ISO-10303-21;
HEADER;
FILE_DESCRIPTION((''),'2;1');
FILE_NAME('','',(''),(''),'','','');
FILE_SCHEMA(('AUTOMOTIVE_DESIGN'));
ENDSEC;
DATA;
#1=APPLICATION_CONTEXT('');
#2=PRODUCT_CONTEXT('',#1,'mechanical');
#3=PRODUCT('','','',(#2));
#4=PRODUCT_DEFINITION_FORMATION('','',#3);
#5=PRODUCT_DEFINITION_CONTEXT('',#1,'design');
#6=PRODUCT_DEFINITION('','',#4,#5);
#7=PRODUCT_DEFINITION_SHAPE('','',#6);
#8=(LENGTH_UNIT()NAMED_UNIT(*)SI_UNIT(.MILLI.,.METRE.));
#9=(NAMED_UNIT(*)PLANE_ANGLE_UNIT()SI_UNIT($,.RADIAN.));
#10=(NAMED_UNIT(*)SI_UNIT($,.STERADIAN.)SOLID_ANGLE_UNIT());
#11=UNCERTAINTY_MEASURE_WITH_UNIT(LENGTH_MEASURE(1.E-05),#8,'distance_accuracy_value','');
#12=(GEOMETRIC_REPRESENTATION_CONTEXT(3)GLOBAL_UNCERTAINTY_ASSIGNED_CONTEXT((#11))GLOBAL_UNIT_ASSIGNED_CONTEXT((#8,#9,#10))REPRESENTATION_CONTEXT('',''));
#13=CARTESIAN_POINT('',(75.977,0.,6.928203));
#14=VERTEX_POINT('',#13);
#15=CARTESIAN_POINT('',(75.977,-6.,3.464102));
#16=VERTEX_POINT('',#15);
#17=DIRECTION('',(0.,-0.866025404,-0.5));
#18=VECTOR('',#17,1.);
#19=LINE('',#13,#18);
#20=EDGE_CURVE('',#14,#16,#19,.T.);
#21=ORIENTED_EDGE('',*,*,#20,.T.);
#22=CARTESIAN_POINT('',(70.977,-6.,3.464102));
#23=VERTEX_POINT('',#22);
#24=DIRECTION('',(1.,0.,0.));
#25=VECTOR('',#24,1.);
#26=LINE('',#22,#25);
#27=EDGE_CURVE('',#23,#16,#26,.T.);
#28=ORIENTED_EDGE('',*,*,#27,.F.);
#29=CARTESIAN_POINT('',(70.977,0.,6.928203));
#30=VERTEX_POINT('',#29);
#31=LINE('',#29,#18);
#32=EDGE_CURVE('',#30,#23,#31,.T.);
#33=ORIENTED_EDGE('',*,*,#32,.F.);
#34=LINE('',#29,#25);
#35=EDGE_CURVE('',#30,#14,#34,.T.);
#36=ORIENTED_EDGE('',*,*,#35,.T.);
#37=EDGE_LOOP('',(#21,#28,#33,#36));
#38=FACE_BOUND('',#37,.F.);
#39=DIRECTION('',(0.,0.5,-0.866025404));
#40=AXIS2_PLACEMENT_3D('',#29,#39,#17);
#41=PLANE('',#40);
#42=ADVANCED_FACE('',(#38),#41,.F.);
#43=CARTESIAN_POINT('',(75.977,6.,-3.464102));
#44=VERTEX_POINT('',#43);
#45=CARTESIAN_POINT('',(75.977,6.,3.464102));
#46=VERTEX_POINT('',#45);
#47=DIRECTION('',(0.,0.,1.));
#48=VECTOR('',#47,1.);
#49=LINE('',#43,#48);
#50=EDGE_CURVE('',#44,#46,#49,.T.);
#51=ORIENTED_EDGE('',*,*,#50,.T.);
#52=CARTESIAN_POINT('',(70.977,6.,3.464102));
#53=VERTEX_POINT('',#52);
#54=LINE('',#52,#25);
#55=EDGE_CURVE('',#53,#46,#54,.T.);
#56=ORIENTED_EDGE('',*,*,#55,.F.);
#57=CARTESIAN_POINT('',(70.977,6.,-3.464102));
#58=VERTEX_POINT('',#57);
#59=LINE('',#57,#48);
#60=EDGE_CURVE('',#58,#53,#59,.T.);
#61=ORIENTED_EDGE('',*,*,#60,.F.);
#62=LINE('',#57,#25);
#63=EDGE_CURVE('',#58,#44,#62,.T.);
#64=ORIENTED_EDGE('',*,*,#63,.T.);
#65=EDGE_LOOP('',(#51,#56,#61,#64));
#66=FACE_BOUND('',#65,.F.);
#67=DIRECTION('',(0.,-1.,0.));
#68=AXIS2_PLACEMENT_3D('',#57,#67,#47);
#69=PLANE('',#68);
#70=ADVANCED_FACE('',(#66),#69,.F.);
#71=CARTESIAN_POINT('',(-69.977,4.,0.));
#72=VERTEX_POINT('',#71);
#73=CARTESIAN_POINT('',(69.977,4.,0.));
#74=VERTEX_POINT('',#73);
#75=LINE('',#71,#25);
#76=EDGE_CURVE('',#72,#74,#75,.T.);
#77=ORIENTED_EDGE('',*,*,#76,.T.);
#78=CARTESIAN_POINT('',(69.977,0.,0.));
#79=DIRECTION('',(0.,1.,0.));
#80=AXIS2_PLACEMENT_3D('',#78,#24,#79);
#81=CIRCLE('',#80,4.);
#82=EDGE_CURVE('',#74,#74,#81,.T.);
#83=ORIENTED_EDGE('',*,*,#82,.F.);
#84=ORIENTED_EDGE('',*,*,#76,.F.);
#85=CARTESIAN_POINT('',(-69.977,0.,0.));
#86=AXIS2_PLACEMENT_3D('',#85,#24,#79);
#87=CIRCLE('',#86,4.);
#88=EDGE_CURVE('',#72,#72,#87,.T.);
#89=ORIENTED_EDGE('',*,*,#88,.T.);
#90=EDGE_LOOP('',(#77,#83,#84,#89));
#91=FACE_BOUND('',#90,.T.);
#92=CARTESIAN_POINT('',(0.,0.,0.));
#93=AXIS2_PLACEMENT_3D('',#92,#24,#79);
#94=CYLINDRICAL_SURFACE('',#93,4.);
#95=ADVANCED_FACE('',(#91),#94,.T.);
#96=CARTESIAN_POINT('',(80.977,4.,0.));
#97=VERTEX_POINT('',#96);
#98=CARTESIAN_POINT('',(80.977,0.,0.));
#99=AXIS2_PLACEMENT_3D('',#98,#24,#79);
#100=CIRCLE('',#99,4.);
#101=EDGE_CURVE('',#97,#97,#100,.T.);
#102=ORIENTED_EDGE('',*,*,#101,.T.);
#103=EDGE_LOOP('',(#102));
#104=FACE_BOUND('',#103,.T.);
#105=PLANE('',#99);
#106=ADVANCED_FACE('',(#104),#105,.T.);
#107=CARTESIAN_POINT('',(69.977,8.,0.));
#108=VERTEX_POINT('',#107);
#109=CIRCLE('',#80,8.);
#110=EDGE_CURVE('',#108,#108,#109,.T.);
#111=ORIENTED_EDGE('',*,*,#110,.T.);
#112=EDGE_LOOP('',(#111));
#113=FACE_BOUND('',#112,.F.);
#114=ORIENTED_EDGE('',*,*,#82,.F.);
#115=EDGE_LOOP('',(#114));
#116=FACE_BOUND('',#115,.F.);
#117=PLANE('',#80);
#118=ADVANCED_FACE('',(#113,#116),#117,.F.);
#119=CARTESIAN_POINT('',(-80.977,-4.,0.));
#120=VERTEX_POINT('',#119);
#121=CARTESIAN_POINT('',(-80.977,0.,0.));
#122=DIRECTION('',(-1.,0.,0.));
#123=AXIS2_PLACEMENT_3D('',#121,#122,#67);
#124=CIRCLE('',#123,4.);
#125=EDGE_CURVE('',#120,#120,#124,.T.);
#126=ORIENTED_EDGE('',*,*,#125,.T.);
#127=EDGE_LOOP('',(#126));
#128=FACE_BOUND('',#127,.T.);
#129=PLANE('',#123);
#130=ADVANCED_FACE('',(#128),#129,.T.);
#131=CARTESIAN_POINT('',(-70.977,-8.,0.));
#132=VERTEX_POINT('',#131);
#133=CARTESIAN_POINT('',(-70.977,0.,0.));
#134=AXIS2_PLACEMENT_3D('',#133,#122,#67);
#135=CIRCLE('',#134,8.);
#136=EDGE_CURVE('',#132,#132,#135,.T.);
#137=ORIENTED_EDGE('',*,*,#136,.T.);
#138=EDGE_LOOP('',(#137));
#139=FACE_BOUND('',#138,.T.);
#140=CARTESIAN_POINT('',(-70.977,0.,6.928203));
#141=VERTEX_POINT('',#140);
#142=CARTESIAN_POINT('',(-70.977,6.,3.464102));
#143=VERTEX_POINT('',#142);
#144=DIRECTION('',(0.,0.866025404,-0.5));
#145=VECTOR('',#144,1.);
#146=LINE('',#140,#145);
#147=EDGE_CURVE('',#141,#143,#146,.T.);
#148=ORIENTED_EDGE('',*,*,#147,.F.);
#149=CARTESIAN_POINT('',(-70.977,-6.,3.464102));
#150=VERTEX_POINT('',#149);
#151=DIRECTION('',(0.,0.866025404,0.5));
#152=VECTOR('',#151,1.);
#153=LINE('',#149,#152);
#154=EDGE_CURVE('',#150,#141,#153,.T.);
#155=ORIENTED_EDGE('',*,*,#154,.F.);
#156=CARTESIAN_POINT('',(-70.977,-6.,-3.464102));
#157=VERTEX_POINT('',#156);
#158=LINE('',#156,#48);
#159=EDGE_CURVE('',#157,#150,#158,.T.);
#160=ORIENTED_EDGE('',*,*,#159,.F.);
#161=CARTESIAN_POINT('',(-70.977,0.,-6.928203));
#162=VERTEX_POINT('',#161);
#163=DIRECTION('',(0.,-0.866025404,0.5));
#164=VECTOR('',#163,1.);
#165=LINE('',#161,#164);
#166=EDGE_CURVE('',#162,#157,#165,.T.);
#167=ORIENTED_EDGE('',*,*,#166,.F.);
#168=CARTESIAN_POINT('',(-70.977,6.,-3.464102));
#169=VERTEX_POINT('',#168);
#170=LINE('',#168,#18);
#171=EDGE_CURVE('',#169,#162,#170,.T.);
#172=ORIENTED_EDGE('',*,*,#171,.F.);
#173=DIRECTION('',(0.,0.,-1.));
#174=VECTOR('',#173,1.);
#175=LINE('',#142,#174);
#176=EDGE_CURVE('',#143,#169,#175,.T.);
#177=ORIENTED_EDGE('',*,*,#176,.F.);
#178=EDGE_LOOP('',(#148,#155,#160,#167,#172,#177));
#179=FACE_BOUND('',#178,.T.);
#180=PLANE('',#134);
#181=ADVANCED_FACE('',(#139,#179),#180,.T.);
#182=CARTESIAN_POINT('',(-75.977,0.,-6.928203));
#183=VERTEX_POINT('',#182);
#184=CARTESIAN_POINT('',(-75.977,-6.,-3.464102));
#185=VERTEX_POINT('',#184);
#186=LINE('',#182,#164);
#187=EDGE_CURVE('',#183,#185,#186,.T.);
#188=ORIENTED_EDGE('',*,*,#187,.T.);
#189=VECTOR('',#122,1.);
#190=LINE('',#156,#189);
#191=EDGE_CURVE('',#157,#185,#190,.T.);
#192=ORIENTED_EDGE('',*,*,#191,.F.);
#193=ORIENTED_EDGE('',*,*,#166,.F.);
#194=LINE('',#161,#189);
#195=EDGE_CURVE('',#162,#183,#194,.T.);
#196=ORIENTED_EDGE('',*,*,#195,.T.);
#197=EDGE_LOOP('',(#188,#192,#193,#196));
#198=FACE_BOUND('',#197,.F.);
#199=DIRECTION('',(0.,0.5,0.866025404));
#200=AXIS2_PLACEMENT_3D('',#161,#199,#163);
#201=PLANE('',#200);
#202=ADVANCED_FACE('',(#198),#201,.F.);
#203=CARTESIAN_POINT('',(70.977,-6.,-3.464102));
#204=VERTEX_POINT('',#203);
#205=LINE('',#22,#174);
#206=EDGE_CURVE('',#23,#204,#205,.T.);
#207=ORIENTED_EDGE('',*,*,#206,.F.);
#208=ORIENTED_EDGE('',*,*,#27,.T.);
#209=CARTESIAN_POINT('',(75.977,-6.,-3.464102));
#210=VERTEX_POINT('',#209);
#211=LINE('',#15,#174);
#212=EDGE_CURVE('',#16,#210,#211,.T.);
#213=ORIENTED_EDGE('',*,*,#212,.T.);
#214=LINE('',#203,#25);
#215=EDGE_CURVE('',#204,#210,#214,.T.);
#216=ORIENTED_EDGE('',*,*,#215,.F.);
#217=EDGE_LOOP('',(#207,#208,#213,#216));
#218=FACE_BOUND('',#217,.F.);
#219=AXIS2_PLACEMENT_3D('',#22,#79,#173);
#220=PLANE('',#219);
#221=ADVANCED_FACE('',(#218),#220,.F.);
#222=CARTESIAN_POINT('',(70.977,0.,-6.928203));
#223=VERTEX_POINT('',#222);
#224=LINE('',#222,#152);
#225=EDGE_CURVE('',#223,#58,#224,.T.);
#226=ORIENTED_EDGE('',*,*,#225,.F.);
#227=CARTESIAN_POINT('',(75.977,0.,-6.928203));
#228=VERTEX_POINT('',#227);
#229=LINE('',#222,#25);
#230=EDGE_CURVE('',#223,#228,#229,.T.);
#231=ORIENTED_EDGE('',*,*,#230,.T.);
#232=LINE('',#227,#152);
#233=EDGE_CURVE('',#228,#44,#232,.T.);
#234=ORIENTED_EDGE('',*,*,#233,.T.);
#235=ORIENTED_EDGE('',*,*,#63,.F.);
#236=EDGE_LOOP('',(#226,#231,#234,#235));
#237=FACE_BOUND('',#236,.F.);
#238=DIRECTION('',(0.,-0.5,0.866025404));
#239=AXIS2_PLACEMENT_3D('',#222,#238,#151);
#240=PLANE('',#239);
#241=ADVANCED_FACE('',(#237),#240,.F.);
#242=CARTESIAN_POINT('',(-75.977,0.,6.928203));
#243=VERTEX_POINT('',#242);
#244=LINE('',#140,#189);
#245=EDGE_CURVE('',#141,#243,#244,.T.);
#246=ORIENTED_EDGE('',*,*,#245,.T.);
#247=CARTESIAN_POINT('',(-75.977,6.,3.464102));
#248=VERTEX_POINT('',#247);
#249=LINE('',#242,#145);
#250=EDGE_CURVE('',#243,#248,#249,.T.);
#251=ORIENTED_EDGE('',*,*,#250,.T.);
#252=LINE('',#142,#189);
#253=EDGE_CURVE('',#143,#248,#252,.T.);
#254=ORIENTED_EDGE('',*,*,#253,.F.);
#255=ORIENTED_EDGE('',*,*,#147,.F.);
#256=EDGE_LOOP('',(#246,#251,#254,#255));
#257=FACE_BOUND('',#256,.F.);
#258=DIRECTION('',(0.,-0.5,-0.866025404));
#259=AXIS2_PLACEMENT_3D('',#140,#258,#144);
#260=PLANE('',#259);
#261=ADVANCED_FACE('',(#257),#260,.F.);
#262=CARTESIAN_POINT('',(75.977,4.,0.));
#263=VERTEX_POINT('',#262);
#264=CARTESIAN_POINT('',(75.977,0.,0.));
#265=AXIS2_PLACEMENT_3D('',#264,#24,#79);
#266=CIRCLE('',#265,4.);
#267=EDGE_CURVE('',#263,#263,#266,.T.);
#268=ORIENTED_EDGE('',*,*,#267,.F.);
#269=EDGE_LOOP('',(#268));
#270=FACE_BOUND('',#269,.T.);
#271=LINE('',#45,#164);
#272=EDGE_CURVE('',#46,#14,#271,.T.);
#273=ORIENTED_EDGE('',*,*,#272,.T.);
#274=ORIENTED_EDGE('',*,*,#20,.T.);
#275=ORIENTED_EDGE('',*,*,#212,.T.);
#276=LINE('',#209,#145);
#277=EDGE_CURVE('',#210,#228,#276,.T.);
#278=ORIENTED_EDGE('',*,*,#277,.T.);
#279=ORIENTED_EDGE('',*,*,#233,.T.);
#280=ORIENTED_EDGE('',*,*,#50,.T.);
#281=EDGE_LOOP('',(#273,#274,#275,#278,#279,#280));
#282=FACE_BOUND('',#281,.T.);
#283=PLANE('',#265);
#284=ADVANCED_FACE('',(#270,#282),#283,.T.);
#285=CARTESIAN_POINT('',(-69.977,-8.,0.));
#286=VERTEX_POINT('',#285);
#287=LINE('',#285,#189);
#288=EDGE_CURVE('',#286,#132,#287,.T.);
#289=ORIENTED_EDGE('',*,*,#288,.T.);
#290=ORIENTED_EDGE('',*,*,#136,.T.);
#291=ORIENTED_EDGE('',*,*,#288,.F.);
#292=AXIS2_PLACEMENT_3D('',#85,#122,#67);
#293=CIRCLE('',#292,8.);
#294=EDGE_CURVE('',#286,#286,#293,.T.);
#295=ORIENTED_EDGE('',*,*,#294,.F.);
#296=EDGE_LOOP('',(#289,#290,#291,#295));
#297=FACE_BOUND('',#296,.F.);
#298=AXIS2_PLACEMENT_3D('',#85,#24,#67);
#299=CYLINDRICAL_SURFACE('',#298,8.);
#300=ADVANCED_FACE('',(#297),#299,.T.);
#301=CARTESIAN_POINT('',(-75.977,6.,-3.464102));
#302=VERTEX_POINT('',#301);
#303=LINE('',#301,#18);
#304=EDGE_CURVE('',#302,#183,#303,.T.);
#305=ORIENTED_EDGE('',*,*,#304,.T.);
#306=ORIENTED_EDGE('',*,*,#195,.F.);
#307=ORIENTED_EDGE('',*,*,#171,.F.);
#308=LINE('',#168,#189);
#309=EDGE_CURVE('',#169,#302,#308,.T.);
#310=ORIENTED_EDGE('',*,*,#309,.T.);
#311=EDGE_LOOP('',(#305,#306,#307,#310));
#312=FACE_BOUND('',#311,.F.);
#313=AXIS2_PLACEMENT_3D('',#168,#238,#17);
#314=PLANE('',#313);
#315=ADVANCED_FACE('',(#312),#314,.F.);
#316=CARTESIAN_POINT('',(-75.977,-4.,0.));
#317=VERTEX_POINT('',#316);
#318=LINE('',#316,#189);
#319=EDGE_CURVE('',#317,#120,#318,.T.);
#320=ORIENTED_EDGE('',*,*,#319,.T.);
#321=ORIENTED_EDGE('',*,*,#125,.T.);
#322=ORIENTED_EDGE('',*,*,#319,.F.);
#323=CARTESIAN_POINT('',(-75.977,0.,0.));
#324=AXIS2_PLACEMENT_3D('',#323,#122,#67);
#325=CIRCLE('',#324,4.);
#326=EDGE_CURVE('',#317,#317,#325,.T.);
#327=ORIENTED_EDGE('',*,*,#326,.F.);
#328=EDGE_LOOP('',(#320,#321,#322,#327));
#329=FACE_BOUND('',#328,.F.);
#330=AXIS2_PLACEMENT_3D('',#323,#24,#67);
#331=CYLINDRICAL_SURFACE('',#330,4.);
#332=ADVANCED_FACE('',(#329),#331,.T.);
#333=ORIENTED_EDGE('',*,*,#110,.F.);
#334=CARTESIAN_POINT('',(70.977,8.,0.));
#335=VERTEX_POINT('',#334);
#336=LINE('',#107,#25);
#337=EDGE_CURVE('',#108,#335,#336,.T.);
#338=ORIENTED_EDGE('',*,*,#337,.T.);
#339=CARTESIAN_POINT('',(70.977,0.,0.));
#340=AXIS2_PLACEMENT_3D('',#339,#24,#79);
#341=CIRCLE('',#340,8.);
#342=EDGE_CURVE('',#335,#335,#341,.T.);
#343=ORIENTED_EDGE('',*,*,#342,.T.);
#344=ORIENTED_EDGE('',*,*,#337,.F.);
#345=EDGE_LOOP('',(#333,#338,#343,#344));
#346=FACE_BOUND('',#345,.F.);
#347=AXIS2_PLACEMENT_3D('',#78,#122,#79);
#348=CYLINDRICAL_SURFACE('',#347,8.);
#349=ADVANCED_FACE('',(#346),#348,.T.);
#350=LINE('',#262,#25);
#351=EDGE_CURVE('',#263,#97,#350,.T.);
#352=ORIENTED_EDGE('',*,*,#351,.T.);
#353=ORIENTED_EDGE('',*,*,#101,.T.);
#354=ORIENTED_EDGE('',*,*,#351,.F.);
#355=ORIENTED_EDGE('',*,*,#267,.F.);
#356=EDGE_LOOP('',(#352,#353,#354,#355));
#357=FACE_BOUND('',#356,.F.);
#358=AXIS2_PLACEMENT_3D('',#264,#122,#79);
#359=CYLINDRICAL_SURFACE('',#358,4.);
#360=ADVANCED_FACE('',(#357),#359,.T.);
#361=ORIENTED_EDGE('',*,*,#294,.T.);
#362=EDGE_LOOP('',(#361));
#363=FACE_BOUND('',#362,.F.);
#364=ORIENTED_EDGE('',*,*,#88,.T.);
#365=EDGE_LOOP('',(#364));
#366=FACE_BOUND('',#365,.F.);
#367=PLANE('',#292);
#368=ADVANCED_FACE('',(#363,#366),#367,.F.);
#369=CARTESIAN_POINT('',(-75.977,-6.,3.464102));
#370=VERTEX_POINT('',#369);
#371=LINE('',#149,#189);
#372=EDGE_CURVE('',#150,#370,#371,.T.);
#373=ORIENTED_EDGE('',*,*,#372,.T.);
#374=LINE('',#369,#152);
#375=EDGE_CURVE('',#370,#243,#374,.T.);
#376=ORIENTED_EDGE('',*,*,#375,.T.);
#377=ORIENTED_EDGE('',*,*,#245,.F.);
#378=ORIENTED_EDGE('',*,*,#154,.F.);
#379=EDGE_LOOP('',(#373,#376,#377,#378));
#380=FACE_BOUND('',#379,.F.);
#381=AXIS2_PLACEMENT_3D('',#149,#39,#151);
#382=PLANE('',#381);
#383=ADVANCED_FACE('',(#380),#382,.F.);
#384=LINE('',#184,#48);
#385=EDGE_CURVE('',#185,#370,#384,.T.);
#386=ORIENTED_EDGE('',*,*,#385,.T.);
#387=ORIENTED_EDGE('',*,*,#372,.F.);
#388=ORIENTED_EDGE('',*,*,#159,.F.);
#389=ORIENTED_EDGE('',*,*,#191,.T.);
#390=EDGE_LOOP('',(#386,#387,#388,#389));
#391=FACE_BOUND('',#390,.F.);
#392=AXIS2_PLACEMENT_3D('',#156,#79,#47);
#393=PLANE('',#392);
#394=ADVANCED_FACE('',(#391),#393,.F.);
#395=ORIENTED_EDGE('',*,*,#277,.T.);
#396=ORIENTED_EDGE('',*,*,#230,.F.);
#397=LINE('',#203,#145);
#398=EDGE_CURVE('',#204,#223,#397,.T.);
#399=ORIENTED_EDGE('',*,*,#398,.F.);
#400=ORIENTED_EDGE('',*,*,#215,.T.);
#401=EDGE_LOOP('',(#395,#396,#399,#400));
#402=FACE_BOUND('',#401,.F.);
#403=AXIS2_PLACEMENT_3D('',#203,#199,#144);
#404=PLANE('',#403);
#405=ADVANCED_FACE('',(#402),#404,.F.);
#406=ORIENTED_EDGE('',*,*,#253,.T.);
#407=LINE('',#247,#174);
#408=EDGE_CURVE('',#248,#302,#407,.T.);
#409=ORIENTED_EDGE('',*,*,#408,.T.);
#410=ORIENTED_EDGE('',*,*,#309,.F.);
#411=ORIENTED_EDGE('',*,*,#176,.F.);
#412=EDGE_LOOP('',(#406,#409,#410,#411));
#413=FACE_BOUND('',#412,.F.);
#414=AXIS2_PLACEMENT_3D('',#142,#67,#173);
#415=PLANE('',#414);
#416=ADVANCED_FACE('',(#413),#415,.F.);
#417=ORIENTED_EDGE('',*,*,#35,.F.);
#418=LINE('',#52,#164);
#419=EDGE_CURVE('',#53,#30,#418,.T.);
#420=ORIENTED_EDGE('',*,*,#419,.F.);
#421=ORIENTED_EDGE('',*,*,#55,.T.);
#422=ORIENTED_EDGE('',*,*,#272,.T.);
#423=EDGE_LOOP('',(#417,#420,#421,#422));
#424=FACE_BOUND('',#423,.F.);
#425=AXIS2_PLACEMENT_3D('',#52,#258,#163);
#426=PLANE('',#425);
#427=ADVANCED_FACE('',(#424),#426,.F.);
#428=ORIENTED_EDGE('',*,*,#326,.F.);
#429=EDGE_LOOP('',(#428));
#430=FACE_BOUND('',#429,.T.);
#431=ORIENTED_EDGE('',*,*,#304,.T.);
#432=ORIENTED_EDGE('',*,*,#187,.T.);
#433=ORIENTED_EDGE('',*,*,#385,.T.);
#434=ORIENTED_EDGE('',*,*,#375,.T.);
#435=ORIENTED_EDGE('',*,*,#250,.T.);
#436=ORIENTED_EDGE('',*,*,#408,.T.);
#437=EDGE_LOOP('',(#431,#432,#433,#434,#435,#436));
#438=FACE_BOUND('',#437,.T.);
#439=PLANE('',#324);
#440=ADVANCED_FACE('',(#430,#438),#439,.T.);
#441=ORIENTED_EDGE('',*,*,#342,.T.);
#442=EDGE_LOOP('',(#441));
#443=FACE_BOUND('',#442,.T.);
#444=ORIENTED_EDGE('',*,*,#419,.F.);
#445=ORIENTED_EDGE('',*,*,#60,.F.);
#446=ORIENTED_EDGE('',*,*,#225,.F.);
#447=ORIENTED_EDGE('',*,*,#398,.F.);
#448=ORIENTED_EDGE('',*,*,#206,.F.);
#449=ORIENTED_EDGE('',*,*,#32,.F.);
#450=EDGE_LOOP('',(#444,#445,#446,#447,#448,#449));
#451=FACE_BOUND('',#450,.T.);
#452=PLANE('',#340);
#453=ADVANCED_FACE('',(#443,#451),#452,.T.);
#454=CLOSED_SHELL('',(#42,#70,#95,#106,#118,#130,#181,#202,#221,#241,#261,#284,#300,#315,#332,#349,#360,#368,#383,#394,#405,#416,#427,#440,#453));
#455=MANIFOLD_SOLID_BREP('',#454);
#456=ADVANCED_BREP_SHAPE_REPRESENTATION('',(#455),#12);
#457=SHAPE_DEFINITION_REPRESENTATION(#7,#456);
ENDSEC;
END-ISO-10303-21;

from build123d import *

# Parameters (mm, degrees)
F0_R      = 4
F1_DEPTH  = 69.977
F2_R      = 8
F3_DEPTH  = 1
F5_DEPTH  = 5
F6_R      = 4
F7_DEPTH  = 5
F8_R      = 8
F9_DEPTH  = 1
F11_DEPTH = 5
F12_R     = 4
F13_DEPTH = 5


with BuildPart() as f1:
    # F0 (on Right) → F1 (new body, symmetric)
    with BuildSketch(Plane.YZ):
        Circle(F0_R)
    extrude(amount=F1_DEPTH, both=True)

    # F2 (on face) → F3 (join)
    with BuildSketch(Plane.YZ.offset(69.977)):
        Circle(F2_R)
    extrude(amount=F3_DEPTH)

    # F4 (on face) → F5 (join)
    with BuildSketch(Plane.YZ.offset(70.977)):
        Polygon((6, 3.4641016151), (0, 6.9282032303), (-6, 3.4641016151), (-6, -3.4641016151), (0, -6.9282032303), (6, -3.4641016151), align=None)
    extrude(amount=F5_DEPTH)

    # F6 (on face) → F7 (join)
    with BuildSketch(Plane.YZ.offset(75.977)):
        Circle(F6_R)
    extrude(amount=F7_DEPTH)

    # F8 (on face) → F9 (join)
    with BuildSketch(Plane(origin=(-69.977, 0, 0), x_dir=(0, -1, 0), z_dir=(-1, 0, 0))):
        Circle(F8_R)
    extrude(amount=F9_DEPTH)

    # F10 (on face) → F11 (join)
    with BuildSketch(Plane(origin=(-70.977, 0, 0), x_dir=(0, -1, 0), z_dir=(-1, 0, 0))):
        Polygon((0, -6.9282032303), (6, -3.4641016151), (6, 3.4641016151), (0, 6.9282032303), (-6, 3.4641016151), (-6, -3.4641016151), align=None)
    extrude(amount=F11_DEPTH)

    # F12 (on face) → F13 (join)
    with BuildSketch(Plane(origin=(-75.977, 0, 0), x_dir=(0, -1, 0), z_dir=(-1, 0, 0))):
        Circle(F12_R)
    extrude(amount=F13_DEPTH)


solid = f1.part
